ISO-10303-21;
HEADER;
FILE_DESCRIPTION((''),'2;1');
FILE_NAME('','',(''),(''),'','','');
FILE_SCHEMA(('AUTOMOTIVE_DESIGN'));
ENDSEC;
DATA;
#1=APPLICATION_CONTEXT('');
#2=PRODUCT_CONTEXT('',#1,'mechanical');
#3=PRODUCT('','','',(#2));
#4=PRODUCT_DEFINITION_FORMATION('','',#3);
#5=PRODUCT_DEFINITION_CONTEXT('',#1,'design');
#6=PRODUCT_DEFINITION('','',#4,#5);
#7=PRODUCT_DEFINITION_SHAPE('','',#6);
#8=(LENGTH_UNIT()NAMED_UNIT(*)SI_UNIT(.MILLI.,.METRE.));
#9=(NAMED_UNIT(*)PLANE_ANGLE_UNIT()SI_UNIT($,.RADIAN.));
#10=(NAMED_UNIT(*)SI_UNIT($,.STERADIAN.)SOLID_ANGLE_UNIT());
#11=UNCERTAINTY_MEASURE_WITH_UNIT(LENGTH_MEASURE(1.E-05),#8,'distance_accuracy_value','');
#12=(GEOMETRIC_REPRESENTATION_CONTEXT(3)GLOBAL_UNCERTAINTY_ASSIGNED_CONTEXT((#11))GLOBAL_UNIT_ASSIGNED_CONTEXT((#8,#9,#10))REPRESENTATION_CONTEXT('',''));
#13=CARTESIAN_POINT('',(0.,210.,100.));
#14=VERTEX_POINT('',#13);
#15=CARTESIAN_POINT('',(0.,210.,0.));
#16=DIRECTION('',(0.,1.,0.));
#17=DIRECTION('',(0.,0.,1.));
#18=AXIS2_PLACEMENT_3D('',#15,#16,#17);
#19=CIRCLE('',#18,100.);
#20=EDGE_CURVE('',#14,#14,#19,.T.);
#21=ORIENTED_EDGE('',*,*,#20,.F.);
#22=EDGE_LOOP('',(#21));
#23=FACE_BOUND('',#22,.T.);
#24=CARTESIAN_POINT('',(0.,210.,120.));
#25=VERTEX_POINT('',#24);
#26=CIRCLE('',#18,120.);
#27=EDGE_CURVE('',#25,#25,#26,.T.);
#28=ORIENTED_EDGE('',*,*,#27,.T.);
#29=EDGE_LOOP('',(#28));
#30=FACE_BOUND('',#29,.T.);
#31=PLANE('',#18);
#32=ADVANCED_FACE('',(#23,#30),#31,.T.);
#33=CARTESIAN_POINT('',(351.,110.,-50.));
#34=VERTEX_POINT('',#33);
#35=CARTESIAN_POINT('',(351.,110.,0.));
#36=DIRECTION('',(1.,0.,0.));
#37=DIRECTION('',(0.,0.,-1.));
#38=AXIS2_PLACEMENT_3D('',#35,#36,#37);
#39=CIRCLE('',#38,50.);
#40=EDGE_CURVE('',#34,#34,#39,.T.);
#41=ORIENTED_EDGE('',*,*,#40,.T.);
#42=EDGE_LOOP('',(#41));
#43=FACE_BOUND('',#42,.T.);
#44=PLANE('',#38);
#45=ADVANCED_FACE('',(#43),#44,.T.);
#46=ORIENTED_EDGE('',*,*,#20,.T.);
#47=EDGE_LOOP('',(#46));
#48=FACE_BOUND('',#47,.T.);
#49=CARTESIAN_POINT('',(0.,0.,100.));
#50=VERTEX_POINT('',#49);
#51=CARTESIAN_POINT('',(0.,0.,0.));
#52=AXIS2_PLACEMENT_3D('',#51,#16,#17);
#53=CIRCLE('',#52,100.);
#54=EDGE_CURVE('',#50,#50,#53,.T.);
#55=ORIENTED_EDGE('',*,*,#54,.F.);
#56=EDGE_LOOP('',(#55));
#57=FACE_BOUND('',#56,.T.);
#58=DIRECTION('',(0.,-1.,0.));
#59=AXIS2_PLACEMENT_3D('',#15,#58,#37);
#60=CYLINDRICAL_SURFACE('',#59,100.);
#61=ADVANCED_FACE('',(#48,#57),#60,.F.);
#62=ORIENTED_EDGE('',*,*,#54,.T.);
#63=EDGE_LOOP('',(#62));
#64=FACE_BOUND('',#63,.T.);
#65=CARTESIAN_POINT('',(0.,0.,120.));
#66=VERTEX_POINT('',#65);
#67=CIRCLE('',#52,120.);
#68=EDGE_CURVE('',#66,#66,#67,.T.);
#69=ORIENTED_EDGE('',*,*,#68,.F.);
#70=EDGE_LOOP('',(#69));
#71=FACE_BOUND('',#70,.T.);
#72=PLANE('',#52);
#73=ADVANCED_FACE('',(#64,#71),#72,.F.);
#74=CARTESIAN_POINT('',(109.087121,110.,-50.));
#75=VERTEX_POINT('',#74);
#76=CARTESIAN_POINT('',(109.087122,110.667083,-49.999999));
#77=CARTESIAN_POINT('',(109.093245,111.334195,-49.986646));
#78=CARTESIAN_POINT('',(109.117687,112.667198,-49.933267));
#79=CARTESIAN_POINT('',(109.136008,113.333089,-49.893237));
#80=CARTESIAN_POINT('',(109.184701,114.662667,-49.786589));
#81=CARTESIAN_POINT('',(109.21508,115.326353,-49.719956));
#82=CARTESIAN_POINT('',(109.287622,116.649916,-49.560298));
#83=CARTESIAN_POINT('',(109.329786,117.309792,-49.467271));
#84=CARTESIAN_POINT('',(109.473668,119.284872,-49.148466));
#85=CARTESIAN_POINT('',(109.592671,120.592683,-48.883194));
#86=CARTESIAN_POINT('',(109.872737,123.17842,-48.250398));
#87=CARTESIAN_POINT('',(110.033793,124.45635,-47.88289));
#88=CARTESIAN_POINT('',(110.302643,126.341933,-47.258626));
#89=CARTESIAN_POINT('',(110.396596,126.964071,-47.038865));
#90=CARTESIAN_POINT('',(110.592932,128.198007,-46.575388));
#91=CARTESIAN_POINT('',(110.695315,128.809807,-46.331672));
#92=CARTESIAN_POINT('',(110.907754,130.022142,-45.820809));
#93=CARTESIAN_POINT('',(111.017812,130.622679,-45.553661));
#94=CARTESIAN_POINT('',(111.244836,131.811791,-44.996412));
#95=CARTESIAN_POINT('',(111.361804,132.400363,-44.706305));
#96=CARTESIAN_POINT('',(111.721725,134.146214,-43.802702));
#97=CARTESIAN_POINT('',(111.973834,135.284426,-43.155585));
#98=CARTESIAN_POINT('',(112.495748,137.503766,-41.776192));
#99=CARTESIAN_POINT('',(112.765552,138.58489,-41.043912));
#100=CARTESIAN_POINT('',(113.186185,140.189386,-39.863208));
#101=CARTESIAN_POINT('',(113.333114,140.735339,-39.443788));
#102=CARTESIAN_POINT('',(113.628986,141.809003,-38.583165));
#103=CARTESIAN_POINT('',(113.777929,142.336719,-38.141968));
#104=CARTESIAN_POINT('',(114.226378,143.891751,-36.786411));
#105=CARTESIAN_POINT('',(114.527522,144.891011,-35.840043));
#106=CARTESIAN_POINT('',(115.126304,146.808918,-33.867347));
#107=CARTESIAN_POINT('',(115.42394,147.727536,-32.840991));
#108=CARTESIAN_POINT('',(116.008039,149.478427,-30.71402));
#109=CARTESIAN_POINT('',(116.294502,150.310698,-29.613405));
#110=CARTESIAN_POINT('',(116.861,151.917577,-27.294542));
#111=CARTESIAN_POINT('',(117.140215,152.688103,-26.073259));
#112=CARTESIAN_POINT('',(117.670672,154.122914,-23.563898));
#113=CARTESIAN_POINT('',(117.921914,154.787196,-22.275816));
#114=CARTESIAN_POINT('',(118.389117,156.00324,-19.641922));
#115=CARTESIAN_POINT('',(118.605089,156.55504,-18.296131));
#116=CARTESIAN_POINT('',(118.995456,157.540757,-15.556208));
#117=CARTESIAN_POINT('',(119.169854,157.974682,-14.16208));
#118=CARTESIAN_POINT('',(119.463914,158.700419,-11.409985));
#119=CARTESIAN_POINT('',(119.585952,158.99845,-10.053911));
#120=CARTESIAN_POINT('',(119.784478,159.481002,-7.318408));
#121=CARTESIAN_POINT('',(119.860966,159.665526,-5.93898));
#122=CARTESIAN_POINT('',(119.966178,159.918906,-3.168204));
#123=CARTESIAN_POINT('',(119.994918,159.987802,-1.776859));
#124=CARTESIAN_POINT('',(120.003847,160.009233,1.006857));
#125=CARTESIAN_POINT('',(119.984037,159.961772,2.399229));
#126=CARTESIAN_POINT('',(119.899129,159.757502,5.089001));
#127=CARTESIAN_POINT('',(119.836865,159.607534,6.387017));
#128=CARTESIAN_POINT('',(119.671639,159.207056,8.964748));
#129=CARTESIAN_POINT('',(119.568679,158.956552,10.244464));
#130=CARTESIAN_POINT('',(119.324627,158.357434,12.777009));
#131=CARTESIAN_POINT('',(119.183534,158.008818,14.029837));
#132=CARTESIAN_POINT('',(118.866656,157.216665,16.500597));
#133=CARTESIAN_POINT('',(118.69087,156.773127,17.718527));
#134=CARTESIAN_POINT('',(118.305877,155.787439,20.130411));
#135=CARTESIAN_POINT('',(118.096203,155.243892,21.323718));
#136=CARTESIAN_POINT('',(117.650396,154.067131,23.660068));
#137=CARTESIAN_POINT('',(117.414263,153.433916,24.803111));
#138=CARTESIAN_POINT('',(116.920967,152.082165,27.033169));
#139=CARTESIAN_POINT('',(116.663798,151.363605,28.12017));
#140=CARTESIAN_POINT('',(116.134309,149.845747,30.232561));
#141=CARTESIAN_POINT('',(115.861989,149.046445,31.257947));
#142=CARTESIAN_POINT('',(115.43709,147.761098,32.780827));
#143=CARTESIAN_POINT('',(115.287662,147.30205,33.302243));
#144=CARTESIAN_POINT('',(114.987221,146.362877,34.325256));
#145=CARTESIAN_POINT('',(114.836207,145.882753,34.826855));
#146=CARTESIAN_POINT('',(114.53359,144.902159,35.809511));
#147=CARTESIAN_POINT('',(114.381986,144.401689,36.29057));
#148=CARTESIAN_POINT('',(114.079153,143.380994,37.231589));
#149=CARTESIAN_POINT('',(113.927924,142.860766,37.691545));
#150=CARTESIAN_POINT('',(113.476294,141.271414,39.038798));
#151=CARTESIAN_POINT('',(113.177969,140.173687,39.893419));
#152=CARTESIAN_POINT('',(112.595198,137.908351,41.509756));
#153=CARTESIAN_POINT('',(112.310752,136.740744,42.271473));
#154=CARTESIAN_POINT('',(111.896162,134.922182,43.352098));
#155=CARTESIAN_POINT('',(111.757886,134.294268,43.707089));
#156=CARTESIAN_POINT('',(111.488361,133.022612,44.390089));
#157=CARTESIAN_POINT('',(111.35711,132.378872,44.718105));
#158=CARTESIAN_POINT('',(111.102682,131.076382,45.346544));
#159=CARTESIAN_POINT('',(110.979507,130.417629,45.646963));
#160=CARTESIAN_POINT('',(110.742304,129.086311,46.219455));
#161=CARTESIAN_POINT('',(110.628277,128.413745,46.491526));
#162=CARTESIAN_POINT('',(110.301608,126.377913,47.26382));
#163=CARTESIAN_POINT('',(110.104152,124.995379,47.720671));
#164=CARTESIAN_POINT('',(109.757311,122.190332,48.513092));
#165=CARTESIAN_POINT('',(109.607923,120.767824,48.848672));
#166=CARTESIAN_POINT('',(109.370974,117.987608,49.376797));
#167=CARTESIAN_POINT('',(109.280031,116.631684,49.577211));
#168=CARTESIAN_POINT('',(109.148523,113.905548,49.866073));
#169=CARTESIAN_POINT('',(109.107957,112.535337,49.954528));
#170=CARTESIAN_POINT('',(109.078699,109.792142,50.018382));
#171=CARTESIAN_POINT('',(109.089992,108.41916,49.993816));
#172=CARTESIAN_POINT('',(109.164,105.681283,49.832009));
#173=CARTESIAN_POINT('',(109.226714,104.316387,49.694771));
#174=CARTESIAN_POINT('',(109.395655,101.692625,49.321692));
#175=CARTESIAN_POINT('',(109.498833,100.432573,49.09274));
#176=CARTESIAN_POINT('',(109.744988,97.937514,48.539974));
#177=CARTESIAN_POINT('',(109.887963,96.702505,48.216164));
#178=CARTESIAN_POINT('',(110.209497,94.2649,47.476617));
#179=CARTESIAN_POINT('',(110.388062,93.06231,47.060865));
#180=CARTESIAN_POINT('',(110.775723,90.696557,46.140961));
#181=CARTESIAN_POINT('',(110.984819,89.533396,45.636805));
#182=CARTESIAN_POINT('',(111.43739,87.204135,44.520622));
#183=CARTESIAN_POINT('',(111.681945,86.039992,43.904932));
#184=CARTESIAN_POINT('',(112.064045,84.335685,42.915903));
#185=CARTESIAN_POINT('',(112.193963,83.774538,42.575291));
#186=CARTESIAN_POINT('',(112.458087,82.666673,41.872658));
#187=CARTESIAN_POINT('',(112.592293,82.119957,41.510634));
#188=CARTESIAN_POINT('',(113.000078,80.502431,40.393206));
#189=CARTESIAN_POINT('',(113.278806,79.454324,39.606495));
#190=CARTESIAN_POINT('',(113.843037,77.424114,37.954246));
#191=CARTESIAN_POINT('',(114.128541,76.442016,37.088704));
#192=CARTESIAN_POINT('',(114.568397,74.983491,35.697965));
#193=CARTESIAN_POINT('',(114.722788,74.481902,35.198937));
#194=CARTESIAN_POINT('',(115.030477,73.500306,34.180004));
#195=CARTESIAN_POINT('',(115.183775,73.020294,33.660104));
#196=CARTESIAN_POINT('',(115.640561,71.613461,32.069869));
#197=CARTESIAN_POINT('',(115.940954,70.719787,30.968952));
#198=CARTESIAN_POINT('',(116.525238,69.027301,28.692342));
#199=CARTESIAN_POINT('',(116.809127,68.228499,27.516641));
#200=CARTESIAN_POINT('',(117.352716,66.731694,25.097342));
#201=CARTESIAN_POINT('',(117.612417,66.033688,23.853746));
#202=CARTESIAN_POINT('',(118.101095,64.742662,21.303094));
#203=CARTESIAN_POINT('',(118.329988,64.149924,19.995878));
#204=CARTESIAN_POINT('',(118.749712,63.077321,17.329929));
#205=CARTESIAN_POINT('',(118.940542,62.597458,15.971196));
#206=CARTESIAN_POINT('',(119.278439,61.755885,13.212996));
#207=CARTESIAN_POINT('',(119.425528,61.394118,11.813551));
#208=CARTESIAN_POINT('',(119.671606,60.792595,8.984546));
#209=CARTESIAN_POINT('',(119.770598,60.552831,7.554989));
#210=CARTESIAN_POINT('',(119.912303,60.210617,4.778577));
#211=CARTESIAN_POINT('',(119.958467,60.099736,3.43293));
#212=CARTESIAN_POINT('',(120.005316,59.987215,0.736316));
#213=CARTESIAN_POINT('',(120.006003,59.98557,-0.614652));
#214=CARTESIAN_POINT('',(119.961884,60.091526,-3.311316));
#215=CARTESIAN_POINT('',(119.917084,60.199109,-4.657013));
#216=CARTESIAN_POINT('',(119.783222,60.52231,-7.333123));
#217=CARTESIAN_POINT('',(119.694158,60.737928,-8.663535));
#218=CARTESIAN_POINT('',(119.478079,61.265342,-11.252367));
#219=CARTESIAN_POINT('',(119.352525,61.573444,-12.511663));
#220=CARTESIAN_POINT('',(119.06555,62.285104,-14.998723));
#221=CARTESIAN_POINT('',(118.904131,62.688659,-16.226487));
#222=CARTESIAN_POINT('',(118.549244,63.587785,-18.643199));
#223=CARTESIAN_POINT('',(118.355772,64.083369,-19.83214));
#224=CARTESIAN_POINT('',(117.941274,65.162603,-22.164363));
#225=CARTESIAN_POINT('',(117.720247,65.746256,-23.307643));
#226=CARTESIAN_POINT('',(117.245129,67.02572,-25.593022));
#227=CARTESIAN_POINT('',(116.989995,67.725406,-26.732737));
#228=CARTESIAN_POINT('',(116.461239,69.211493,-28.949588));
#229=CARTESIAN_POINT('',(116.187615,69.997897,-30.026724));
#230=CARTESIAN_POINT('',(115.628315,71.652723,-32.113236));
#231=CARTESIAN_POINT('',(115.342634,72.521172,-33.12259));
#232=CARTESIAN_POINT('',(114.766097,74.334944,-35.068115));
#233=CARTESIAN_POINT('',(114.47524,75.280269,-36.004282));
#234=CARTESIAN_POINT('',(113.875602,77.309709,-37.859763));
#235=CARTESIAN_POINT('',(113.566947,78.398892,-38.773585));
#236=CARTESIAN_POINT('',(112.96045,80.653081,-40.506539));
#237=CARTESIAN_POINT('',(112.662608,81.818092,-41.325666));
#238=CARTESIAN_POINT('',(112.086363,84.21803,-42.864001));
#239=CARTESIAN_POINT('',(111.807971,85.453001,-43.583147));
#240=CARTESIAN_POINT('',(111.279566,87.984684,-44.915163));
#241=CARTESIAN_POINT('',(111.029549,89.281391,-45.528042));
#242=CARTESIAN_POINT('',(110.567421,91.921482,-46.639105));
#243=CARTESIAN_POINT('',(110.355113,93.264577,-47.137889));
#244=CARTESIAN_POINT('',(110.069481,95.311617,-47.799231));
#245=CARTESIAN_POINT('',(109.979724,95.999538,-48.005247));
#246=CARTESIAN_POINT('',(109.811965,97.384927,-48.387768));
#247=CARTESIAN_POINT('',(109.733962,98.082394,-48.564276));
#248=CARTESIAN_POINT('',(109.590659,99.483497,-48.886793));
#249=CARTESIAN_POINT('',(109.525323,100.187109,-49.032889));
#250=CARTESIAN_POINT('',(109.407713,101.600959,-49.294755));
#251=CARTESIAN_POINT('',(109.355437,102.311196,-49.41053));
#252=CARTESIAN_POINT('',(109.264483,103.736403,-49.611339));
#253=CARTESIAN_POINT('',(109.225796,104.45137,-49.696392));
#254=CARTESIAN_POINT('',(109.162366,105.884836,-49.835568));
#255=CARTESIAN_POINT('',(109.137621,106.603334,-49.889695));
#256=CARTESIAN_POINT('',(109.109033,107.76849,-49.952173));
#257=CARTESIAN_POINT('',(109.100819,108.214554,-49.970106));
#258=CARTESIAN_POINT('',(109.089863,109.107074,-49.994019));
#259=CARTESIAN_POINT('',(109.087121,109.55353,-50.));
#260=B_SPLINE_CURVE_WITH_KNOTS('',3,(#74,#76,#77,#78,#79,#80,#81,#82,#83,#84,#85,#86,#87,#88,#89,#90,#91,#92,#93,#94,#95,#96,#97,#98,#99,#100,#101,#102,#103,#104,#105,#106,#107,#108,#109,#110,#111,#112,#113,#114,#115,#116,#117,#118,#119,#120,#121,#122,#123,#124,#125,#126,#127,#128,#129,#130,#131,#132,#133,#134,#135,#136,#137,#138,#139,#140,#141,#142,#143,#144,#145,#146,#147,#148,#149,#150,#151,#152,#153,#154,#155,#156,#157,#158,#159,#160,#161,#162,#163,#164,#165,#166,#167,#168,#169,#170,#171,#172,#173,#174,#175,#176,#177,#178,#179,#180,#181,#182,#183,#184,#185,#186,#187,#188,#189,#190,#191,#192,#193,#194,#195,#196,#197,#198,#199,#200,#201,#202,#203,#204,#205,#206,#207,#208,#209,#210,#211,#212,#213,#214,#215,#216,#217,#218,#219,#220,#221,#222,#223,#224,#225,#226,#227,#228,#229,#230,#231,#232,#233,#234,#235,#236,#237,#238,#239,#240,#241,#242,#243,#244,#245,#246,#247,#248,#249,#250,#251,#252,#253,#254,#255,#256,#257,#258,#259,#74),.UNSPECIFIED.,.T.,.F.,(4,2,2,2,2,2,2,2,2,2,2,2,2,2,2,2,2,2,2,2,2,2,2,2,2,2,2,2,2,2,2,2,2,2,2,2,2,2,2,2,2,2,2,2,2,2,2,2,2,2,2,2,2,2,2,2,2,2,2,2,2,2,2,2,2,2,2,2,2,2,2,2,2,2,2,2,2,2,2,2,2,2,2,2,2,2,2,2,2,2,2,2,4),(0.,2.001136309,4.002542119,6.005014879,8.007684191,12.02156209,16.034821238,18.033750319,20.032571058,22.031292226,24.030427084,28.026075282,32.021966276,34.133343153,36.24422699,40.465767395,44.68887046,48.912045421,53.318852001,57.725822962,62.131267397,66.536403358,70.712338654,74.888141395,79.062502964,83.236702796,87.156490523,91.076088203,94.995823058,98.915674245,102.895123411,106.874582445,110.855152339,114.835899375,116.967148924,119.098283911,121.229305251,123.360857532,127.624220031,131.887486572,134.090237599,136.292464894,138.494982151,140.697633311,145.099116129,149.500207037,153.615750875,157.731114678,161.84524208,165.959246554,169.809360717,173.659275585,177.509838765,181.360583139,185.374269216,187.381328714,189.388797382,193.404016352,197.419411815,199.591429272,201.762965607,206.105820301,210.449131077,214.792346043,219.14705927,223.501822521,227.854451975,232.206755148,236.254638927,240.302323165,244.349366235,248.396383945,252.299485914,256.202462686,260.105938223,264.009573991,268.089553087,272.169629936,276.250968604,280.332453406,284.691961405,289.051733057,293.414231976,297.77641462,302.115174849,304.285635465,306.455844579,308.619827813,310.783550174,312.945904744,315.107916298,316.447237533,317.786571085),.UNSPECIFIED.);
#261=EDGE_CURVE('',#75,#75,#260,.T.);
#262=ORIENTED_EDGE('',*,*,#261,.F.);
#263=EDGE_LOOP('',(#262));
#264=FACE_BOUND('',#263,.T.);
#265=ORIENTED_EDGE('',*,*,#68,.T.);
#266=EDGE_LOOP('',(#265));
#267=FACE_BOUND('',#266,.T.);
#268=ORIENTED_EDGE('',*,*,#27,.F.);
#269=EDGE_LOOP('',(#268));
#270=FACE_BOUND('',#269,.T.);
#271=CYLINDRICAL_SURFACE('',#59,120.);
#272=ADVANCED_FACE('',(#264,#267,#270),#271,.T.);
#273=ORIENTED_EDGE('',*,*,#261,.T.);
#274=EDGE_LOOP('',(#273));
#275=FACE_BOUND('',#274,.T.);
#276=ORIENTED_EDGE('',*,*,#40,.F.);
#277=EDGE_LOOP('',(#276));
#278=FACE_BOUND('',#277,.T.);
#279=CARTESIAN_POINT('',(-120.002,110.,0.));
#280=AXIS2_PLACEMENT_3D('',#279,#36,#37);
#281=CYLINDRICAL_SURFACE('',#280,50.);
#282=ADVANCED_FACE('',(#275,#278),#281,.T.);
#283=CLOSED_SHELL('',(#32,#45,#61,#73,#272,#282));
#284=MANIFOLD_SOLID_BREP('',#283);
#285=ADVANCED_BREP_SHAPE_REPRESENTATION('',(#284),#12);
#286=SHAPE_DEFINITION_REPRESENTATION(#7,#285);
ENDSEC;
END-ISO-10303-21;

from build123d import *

# Parameters (mm, degrees)
SKETCH1_R                       = 120
SKETCH1_R_2                     = 100
BOSS_EXTRUDE1_DEPTH             = 210
SKETCH2_R                       = 50
BOSS_EXTRUDE2_DEPTH             = 1
BOSS_EXTRUDE2_DIRECTION_2_REACH = 530.583


with BuildPart() as part:
    # Sketch1 → Boss-Extrude1 (new body)
    with BuildSketch(Plane(origin=(0, 0, 0), x_dir=(1, 0, 0), z_dir=(0, 1, 0))):
        with Locations(Location((0, 0, 0), (0, 0, 270))):
            Circle(SKETCH1_R)
        with Locations(Location((0, 0, 0), (0, 0, 270))):
            Circle(SKETCH1_R_2, mode=Mode.SUBTRACT)
    extrude(amount=BOSS_EXTRUDE1_DEPTH)

    # Sketch2 → Boss-Extrude2 (add)
    with BuildSketch(Plane(origin=(350, 0, 0), x_dir=(0, 0, -1), z_dir=(1, 0, 0))):
        with Locations((0, 110)):
            Circle(SKETCH2_R)
    extrude(amount=BOSS_EXTRUDE2_DEPTH)

    # Sketch2 → Boss-Extrude2 direction 2 (add, up to next)
    with BuildSketch(Plane(origin=(350, 0, 0), x_dir=(0, 0, -1), z_dir=(1, 0, 0)), mode=Mode.PRIVATE) as boss_extrude2_direction_2_sk1:
        with Locations((0, 110)):
            Circle(SKETCH2_R)
    boss_extrude2_direction_2_tool1 = extrude(boss_extrude2_direction_2_sk1.sketch, amount=-BOSS_EXTRUDE2_DIRECTION_2_REACH, mode=Mode.PRIVATE) - part.part
    add(boss_extrude2_direction_2_tool1.solids().sort_by_distance((350, 110, 0))[0])


solid = part.part
